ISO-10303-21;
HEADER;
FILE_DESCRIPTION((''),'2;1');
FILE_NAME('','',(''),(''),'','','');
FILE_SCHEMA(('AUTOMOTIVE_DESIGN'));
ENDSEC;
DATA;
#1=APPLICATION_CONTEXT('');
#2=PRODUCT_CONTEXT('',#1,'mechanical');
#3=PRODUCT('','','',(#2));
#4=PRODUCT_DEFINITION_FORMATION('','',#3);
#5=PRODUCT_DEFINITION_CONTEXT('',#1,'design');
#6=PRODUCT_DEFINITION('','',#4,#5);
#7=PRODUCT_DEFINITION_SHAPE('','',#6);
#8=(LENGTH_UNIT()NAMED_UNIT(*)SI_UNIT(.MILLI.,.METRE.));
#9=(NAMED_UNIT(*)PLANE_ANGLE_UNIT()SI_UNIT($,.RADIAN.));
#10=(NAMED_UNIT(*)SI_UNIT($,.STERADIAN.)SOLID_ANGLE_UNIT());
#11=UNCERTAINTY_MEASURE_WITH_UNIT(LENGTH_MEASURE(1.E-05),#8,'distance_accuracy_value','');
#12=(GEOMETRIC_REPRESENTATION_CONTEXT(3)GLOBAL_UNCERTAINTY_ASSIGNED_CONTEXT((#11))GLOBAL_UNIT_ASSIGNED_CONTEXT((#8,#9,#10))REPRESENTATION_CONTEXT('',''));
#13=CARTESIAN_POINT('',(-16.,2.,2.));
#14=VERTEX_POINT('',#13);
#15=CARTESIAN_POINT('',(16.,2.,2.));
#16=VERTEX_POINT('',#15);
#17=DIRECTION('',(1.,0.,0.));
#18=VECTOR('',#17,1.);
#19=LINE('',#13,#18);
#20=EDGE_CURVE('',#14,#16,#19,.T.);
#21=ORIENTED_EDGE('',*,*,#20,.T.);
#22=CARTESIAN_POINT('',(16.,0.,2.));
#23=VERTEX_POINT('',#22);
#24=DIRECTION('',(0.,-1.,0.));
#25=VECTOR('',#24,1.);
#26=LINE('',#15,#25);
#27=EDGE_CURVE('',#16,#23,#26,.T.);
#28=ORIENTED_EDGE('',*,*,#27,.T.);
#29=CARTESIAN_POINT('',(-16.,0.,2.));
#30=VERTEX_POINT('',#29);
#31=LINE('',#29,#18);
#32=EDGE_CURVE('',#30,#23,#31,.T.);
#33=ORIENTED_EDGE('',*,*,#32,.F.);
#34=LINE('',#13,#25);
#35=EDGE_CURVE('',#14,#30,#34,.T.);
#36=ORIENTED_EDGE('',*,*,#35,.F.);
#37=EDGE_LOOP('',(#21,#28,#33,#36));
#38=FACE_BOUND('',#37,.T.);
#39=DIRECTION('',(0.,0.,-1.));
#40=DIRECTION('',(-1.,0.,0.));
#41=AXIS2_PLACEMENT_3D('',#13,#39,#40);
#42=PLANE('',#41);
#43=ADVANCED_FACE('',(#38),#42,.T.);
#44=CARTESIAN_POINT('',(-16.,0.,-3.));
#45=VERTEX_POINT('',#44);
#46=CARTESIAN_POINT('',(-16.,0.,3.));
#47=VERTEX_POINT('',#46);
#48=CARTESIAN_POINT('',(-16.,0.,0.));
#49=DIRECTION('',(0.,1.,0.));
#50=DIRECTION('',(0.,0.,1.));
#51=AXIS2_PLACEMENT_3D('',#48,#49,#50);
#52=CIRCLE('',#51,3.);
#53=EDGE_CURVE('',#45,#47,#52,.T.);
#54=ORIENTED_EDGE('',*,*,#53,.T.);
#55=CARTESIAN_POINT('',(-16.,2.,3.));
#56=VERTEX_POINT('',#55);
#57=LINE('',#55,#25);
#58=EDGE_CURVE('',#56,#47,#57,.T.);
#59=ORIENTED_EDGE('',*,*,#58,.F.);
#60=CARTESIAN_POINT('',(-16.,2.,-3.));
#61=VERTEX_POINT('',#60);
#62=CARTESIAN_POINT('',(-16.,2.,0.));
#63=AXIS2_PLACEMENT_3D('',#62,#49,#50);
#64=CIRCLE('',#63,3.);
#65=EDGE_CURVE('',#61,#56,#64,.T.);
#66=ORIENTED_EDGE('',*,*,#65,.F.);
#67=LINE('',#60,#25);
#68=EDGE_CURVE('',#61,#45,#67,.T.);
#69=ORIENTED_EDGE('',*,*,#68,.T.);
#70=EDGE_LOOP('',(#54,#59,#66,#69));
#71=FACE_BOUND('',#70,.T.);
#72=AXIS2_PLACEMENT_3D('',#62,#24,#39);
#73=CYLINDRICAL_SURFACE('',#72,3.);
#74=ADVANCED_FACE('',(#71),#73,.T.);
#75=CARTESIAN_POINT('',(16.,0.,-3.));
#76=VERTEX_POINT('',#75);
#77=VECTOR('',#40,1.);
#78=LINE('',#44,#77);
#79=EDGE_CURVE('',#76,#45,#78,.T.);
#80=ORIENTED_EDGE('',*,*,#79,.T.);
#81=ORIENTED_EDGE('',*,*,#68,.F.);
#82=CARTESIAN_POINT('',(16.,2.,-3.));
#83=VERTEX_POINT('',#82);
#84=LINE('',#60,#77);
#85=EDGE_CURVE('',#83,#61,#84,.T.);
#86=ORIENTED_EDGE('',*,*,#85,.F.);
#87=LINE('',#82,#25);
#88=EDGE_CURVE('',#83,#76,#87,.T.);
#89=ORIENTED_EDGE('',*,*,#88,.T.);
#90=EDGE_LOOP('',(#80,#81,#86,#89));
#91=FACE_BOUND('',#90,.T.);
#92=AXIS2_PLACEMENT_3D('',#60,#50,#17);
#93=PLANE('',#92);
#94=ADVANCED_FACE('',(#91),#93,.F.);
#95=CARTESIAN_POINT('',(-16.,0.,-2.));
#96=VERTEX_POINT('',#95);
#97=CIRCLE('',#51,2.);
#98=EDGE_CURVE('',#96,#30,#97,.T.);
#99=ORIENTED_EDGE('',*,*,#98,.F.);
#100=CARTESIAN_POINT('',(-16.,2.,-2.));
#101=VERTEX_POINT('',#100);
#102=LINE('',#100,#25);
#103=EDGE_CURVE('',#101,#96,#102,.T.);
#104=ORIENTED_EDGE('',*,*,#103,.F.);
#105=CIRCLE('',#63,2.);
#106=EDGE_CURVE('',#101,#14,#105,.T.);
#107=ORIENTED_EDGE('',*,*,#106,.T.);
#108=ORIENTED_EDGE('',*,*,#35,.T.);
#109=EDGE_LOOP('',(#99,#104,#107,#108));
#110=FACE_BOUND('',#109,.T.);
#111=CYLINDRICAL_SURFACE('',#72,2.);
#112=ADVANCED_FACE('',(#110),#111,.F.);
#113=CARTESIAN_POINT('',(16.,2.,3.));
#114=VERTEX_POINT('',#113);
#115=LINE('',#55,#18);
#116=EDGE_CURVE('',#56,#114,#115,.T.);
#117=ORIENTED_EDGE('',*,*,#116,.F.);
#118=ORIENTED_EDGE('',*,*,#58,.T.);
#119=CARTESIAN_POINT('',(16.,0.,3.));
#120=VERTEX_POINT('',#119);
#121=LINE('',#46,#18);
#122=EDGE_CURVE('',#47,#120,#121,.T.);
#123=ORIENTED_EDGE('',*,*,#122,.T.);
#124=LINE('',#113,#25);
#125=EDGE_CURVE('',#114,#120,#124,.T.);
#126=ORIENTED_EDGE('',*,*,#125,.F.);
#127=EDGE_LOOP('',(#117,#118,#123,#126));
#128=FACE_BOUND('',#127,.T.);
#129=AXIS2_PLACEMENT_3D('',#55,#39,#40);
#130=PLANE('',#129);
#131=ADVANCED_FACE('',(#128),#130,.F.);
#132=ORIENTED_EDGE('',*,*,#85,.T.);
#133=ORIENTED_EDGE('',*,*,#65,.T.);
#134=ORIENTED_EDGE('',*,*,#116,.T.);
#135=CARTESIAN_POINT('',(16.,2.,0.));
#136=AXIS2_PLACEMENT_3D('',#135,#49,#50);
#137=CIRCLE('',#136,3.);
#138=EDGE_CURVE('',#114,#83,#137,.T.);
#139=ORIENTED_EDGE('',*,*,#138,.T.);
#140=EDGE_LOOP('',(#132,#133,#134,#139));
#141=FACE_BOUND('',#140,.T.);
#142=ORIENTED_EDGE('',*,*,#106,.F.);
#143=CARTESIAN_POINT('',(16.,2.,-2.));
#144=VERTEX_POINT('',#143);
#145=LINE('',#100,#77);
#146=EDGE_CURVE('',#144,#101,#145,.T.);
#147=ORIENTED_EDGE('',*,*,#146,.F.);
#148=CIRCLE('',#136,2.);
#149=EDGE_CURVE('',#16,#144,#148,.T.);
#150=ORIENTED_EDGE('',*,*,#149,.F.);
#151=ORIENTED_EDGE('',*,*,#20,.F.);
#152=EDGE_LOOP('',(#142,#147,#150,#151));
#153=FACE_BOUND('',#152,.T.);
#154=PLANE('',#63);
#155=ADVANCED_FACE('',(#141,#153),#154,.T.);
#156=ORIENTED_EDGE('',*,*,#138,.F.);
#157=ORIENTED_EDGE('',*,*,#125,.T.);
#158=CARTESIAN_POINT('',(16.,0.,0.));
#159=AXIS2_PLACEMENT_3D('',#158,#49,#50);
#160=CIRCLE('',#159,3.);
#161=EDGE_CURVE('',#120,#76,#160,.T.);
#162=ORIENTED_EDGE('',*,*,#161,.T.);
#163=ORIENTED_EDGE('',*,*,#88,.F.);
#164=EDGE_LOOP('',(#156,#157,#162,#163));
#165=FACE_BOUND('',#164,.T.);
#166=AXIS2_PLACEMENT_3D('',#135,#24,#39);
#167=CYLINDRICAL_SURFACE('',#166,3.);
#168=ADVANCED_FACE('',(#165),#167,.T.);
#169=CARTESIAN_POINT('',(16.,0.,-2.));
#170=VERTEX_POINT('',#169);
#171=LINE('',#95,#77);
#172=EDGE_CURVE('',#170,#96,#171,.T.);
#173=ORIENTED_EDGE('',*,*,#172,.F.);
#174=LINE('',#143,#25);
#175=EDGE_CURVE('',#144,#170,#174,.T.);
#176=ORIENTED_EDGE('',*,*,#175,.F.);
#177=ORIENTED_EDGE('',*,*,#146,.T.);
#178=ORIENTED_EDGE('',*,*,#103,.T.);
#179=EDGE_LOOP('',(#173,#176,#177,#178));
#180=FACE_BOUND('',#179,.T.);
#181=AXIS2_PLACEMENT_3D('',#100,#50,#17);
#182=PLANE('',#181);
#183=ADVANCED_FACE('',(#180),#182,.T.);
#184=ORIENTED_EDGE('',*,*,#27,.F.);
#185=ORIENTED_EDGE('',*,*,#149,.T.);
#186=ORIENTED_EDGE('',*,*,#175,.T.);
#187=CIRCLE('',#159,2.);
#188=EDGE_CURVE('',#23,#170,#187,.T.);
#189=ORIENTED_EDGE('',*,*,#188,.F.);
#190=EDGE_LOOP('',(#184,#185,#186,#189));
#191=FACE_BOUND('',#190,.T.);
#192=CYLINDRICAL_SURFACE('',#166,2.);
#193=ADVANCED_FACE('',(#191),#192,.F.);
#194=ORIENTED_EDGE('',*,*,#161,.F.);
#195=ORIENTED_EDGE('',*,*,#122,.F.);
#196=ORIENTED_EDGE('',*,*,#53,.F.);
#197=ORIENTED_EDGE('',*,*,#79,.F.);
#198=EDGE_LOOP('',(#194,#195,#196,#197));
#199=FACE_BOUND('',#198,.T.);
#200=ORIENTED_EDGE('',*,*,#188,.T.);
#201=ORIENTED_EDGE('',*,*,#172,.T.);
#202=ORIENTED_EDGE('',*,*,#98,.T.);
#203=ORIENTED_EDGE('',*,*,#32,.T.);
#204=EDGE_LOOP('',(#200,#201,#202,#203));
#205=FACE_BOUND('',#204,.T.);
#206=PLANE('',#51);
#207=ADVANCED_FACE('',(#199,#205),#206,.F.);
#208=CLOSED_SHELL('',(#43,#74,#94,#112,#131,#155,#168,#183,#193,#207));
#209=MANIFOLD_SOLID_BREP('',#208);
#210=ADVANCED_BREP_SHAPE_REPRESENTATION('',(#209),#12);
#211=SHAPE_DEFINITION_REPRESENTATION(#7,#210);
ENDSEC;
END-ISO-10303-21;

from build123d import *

# Parameters (mm, degrees)
EXTRUDE_1_DEPTH = 2


with BuildPart() as part:
    # 草图1 → 凸台-拉伸1 (new body)
    with BuildSketch(Plane(origin=(0, 0, 0), x_dir=(1, 0, 0), z_dir=(0, 1, 0))):
        with BuildLine():
            Line((-16, 3), (16, 3))
            ThreePointArc((16, 3), (19, 0), (16, -3))
            Line((16, -3), (-16, -3))
            ThreePointArc((-16, -3), (-19, 0), (-16, 3))
        make_face()
        with BuildLine():
            Line((-16, 2), (16, 2))
            ThreePointArc((16, 2), (18, 0), (16, -2))
            Line((16, -2), (-16, -2))
            ThreePointArc((-16, -2), (-18, 0), (-16, 2))
        make_face(mode=Mode.SUBTRACT)
    extrude(amount=EXTRUDE_1_DEPTH)


solid = part.part
